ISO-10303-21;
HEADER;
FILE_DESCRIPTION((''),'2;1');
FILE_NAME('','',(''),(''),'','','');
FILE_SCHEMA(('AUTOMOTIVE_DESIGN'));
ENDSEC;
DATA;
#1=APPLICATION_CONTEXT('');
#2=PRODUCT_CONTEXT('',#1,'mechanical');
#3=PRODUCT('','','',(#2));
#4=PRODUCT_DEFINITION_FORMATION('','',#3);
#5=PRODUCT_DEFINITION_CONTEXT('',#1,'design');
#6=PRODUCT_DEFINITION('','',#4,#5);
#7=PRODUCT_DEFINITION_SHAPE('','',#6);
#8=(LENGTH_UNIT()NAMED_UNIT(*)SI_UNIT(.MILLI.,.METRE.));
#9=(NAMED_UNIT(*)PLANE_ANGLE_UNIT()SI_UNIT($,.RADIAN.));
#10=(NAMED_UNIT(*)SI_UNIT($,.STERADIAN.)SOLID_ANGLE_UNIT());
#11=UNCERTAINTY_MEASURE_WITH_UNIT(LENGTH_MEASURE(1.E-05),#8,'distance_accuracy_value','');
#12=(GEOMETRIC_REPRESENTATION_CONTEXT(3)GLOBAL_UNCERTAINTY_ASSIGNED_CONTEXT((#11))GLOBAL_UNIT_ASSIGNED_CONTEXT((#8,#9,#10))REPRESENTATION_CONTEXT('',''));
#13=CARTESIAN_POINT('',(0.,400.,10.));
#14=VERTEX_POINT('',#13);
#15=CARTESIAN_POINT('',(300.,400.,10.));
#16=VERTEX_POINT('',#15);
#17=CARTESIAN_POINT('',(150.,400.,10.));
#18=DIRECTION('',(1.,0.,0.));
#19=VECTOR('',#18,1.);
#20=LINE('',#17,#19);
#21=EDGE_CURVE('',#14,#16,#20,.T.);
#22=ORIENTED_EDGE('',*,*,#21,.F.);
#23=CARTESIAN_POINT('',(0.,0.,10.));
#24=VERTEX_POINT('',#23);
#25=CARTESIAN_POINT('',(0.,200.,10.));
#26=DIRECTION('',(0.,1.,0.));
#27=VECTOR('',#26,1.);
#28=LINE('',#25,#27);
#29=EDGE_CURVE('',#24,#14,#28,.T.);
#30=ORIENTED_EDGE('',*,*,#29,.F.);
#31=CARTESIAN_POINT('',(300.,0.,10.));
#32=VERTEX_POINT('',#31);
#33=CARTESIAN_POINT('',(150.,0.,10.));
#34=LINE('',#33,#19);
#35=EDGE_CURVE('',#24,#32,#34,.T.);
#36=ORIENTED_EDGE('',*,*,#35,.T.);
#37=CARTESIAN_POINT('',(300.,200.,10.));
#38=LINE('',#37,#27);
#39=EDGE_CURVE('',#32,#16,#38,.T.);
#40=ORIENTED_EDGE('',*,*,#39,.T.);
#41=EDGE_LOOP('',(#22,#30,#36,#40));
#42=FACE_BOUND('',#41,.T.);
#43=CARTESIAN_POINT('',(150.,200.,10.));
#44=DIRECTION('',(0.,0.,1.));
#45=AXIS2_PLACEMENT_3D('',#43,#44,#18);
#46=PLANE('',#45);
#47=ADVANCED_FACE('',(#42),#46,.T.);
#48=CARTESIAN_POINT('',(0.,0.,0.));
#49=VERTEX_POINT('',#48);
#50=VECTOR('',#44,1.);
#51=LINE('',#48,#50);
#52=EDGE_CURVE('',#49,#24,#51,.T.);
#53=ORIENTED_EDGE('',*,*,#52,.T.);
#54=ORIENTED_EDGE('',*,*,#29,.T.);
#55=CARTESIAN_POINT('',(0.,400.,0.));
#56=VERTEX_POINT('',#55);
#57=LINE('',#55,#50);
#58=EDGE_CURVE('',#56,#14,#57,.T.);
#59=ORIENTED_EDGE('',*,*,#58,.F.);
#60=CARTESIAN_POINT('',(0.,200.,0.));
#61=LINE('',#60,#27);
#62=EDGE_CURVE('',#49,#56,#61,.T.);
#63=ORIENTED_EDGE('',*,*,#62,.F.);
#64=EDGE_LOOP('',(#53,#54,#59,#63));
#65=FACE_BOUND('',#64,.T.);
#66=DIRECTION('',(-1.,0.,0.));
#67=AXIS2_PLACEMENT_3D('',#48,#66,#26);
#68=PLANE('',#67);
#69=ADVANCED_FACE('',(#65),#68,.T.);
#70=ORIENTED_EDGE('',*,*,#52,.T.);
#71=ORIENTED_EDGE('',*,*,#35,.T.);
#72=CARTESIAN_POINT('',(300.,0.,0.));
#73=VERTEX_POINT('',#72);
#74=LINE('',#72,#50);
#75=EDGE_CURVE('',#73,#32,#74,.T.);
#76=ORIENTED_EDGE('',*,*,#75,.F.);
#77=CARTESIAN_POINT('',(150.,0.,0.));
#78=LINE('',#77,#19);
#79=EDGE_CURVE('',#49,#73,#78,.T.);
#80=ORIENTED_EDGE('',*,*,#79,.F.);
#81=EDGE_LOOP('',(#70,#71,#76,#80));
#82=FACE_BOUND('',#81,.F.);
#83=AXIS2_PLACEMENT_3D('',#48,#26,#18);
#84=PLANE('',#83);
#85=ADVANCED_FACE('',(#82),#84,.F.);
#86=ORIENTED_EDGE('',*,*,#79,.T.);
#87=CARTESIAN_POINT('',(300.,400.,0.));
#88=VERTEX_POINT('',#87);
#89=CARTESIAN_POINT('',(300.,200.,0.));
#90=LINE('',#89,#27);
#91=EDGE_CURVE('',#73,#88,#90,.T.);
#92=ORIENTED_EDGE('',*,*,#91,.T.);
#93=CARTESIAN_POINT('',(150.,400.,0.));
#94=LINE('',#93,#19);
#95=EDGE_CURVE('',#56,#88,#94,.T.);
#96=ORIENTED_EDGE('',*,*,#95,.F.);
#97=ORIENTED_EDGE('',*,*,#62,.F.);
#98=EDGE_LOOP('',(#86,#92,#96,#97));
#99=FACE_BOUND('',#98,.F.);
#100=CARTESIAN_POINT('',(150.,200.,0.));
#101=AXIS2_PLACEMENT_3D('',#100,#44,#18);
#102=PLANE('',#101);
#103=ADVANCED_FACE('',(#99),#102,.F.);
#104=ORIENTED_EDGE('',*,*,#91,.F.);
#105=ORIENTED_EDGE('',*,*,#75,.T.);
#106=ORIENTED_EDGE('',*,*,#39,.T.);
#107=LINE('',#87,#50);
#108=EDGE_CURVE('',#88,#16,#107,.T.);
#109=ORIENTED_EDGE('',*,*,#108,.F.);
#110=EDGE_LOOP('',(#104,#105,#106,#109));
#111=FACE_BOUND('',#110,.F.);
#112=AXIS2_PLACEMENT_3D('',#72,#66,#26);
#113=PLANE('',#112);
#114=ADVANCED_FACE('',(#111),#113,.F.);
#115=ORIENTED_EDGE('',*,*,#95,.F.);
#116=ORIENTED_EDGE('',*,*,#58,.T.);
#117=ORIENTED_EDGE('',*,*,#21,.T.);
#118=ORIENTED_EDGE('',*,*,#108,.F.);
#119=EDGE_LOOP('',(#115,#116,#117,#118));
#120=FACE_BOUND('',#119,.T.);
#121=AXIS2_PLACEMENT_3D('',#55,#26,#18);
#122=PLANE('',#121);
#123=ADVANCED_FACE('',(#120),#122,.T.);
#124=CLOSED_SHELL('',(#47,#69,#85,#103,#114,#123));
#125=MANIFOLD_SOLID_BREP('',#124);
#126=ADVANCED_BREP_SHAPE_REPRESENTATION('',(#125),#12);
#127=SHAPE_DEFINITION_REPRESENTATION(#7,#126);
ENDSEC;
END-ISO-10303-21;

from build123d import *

# Parameters (mm, degrees)
SKETCH1_W      = 300
SKETCH1_H      = 400
EXTRUDE1_DEPTH = 10


with BuildPart() as part:
    # Sketch1 → Extrude1 (new body)
    with BuildSketch(Plane.XY):
        with Locations((150, 200)):
            Rectangle(SKETCH1_W, SKETCH1_H)
    extrude(amount=EXTRUDE1_DEPTH)


solid = part.part
